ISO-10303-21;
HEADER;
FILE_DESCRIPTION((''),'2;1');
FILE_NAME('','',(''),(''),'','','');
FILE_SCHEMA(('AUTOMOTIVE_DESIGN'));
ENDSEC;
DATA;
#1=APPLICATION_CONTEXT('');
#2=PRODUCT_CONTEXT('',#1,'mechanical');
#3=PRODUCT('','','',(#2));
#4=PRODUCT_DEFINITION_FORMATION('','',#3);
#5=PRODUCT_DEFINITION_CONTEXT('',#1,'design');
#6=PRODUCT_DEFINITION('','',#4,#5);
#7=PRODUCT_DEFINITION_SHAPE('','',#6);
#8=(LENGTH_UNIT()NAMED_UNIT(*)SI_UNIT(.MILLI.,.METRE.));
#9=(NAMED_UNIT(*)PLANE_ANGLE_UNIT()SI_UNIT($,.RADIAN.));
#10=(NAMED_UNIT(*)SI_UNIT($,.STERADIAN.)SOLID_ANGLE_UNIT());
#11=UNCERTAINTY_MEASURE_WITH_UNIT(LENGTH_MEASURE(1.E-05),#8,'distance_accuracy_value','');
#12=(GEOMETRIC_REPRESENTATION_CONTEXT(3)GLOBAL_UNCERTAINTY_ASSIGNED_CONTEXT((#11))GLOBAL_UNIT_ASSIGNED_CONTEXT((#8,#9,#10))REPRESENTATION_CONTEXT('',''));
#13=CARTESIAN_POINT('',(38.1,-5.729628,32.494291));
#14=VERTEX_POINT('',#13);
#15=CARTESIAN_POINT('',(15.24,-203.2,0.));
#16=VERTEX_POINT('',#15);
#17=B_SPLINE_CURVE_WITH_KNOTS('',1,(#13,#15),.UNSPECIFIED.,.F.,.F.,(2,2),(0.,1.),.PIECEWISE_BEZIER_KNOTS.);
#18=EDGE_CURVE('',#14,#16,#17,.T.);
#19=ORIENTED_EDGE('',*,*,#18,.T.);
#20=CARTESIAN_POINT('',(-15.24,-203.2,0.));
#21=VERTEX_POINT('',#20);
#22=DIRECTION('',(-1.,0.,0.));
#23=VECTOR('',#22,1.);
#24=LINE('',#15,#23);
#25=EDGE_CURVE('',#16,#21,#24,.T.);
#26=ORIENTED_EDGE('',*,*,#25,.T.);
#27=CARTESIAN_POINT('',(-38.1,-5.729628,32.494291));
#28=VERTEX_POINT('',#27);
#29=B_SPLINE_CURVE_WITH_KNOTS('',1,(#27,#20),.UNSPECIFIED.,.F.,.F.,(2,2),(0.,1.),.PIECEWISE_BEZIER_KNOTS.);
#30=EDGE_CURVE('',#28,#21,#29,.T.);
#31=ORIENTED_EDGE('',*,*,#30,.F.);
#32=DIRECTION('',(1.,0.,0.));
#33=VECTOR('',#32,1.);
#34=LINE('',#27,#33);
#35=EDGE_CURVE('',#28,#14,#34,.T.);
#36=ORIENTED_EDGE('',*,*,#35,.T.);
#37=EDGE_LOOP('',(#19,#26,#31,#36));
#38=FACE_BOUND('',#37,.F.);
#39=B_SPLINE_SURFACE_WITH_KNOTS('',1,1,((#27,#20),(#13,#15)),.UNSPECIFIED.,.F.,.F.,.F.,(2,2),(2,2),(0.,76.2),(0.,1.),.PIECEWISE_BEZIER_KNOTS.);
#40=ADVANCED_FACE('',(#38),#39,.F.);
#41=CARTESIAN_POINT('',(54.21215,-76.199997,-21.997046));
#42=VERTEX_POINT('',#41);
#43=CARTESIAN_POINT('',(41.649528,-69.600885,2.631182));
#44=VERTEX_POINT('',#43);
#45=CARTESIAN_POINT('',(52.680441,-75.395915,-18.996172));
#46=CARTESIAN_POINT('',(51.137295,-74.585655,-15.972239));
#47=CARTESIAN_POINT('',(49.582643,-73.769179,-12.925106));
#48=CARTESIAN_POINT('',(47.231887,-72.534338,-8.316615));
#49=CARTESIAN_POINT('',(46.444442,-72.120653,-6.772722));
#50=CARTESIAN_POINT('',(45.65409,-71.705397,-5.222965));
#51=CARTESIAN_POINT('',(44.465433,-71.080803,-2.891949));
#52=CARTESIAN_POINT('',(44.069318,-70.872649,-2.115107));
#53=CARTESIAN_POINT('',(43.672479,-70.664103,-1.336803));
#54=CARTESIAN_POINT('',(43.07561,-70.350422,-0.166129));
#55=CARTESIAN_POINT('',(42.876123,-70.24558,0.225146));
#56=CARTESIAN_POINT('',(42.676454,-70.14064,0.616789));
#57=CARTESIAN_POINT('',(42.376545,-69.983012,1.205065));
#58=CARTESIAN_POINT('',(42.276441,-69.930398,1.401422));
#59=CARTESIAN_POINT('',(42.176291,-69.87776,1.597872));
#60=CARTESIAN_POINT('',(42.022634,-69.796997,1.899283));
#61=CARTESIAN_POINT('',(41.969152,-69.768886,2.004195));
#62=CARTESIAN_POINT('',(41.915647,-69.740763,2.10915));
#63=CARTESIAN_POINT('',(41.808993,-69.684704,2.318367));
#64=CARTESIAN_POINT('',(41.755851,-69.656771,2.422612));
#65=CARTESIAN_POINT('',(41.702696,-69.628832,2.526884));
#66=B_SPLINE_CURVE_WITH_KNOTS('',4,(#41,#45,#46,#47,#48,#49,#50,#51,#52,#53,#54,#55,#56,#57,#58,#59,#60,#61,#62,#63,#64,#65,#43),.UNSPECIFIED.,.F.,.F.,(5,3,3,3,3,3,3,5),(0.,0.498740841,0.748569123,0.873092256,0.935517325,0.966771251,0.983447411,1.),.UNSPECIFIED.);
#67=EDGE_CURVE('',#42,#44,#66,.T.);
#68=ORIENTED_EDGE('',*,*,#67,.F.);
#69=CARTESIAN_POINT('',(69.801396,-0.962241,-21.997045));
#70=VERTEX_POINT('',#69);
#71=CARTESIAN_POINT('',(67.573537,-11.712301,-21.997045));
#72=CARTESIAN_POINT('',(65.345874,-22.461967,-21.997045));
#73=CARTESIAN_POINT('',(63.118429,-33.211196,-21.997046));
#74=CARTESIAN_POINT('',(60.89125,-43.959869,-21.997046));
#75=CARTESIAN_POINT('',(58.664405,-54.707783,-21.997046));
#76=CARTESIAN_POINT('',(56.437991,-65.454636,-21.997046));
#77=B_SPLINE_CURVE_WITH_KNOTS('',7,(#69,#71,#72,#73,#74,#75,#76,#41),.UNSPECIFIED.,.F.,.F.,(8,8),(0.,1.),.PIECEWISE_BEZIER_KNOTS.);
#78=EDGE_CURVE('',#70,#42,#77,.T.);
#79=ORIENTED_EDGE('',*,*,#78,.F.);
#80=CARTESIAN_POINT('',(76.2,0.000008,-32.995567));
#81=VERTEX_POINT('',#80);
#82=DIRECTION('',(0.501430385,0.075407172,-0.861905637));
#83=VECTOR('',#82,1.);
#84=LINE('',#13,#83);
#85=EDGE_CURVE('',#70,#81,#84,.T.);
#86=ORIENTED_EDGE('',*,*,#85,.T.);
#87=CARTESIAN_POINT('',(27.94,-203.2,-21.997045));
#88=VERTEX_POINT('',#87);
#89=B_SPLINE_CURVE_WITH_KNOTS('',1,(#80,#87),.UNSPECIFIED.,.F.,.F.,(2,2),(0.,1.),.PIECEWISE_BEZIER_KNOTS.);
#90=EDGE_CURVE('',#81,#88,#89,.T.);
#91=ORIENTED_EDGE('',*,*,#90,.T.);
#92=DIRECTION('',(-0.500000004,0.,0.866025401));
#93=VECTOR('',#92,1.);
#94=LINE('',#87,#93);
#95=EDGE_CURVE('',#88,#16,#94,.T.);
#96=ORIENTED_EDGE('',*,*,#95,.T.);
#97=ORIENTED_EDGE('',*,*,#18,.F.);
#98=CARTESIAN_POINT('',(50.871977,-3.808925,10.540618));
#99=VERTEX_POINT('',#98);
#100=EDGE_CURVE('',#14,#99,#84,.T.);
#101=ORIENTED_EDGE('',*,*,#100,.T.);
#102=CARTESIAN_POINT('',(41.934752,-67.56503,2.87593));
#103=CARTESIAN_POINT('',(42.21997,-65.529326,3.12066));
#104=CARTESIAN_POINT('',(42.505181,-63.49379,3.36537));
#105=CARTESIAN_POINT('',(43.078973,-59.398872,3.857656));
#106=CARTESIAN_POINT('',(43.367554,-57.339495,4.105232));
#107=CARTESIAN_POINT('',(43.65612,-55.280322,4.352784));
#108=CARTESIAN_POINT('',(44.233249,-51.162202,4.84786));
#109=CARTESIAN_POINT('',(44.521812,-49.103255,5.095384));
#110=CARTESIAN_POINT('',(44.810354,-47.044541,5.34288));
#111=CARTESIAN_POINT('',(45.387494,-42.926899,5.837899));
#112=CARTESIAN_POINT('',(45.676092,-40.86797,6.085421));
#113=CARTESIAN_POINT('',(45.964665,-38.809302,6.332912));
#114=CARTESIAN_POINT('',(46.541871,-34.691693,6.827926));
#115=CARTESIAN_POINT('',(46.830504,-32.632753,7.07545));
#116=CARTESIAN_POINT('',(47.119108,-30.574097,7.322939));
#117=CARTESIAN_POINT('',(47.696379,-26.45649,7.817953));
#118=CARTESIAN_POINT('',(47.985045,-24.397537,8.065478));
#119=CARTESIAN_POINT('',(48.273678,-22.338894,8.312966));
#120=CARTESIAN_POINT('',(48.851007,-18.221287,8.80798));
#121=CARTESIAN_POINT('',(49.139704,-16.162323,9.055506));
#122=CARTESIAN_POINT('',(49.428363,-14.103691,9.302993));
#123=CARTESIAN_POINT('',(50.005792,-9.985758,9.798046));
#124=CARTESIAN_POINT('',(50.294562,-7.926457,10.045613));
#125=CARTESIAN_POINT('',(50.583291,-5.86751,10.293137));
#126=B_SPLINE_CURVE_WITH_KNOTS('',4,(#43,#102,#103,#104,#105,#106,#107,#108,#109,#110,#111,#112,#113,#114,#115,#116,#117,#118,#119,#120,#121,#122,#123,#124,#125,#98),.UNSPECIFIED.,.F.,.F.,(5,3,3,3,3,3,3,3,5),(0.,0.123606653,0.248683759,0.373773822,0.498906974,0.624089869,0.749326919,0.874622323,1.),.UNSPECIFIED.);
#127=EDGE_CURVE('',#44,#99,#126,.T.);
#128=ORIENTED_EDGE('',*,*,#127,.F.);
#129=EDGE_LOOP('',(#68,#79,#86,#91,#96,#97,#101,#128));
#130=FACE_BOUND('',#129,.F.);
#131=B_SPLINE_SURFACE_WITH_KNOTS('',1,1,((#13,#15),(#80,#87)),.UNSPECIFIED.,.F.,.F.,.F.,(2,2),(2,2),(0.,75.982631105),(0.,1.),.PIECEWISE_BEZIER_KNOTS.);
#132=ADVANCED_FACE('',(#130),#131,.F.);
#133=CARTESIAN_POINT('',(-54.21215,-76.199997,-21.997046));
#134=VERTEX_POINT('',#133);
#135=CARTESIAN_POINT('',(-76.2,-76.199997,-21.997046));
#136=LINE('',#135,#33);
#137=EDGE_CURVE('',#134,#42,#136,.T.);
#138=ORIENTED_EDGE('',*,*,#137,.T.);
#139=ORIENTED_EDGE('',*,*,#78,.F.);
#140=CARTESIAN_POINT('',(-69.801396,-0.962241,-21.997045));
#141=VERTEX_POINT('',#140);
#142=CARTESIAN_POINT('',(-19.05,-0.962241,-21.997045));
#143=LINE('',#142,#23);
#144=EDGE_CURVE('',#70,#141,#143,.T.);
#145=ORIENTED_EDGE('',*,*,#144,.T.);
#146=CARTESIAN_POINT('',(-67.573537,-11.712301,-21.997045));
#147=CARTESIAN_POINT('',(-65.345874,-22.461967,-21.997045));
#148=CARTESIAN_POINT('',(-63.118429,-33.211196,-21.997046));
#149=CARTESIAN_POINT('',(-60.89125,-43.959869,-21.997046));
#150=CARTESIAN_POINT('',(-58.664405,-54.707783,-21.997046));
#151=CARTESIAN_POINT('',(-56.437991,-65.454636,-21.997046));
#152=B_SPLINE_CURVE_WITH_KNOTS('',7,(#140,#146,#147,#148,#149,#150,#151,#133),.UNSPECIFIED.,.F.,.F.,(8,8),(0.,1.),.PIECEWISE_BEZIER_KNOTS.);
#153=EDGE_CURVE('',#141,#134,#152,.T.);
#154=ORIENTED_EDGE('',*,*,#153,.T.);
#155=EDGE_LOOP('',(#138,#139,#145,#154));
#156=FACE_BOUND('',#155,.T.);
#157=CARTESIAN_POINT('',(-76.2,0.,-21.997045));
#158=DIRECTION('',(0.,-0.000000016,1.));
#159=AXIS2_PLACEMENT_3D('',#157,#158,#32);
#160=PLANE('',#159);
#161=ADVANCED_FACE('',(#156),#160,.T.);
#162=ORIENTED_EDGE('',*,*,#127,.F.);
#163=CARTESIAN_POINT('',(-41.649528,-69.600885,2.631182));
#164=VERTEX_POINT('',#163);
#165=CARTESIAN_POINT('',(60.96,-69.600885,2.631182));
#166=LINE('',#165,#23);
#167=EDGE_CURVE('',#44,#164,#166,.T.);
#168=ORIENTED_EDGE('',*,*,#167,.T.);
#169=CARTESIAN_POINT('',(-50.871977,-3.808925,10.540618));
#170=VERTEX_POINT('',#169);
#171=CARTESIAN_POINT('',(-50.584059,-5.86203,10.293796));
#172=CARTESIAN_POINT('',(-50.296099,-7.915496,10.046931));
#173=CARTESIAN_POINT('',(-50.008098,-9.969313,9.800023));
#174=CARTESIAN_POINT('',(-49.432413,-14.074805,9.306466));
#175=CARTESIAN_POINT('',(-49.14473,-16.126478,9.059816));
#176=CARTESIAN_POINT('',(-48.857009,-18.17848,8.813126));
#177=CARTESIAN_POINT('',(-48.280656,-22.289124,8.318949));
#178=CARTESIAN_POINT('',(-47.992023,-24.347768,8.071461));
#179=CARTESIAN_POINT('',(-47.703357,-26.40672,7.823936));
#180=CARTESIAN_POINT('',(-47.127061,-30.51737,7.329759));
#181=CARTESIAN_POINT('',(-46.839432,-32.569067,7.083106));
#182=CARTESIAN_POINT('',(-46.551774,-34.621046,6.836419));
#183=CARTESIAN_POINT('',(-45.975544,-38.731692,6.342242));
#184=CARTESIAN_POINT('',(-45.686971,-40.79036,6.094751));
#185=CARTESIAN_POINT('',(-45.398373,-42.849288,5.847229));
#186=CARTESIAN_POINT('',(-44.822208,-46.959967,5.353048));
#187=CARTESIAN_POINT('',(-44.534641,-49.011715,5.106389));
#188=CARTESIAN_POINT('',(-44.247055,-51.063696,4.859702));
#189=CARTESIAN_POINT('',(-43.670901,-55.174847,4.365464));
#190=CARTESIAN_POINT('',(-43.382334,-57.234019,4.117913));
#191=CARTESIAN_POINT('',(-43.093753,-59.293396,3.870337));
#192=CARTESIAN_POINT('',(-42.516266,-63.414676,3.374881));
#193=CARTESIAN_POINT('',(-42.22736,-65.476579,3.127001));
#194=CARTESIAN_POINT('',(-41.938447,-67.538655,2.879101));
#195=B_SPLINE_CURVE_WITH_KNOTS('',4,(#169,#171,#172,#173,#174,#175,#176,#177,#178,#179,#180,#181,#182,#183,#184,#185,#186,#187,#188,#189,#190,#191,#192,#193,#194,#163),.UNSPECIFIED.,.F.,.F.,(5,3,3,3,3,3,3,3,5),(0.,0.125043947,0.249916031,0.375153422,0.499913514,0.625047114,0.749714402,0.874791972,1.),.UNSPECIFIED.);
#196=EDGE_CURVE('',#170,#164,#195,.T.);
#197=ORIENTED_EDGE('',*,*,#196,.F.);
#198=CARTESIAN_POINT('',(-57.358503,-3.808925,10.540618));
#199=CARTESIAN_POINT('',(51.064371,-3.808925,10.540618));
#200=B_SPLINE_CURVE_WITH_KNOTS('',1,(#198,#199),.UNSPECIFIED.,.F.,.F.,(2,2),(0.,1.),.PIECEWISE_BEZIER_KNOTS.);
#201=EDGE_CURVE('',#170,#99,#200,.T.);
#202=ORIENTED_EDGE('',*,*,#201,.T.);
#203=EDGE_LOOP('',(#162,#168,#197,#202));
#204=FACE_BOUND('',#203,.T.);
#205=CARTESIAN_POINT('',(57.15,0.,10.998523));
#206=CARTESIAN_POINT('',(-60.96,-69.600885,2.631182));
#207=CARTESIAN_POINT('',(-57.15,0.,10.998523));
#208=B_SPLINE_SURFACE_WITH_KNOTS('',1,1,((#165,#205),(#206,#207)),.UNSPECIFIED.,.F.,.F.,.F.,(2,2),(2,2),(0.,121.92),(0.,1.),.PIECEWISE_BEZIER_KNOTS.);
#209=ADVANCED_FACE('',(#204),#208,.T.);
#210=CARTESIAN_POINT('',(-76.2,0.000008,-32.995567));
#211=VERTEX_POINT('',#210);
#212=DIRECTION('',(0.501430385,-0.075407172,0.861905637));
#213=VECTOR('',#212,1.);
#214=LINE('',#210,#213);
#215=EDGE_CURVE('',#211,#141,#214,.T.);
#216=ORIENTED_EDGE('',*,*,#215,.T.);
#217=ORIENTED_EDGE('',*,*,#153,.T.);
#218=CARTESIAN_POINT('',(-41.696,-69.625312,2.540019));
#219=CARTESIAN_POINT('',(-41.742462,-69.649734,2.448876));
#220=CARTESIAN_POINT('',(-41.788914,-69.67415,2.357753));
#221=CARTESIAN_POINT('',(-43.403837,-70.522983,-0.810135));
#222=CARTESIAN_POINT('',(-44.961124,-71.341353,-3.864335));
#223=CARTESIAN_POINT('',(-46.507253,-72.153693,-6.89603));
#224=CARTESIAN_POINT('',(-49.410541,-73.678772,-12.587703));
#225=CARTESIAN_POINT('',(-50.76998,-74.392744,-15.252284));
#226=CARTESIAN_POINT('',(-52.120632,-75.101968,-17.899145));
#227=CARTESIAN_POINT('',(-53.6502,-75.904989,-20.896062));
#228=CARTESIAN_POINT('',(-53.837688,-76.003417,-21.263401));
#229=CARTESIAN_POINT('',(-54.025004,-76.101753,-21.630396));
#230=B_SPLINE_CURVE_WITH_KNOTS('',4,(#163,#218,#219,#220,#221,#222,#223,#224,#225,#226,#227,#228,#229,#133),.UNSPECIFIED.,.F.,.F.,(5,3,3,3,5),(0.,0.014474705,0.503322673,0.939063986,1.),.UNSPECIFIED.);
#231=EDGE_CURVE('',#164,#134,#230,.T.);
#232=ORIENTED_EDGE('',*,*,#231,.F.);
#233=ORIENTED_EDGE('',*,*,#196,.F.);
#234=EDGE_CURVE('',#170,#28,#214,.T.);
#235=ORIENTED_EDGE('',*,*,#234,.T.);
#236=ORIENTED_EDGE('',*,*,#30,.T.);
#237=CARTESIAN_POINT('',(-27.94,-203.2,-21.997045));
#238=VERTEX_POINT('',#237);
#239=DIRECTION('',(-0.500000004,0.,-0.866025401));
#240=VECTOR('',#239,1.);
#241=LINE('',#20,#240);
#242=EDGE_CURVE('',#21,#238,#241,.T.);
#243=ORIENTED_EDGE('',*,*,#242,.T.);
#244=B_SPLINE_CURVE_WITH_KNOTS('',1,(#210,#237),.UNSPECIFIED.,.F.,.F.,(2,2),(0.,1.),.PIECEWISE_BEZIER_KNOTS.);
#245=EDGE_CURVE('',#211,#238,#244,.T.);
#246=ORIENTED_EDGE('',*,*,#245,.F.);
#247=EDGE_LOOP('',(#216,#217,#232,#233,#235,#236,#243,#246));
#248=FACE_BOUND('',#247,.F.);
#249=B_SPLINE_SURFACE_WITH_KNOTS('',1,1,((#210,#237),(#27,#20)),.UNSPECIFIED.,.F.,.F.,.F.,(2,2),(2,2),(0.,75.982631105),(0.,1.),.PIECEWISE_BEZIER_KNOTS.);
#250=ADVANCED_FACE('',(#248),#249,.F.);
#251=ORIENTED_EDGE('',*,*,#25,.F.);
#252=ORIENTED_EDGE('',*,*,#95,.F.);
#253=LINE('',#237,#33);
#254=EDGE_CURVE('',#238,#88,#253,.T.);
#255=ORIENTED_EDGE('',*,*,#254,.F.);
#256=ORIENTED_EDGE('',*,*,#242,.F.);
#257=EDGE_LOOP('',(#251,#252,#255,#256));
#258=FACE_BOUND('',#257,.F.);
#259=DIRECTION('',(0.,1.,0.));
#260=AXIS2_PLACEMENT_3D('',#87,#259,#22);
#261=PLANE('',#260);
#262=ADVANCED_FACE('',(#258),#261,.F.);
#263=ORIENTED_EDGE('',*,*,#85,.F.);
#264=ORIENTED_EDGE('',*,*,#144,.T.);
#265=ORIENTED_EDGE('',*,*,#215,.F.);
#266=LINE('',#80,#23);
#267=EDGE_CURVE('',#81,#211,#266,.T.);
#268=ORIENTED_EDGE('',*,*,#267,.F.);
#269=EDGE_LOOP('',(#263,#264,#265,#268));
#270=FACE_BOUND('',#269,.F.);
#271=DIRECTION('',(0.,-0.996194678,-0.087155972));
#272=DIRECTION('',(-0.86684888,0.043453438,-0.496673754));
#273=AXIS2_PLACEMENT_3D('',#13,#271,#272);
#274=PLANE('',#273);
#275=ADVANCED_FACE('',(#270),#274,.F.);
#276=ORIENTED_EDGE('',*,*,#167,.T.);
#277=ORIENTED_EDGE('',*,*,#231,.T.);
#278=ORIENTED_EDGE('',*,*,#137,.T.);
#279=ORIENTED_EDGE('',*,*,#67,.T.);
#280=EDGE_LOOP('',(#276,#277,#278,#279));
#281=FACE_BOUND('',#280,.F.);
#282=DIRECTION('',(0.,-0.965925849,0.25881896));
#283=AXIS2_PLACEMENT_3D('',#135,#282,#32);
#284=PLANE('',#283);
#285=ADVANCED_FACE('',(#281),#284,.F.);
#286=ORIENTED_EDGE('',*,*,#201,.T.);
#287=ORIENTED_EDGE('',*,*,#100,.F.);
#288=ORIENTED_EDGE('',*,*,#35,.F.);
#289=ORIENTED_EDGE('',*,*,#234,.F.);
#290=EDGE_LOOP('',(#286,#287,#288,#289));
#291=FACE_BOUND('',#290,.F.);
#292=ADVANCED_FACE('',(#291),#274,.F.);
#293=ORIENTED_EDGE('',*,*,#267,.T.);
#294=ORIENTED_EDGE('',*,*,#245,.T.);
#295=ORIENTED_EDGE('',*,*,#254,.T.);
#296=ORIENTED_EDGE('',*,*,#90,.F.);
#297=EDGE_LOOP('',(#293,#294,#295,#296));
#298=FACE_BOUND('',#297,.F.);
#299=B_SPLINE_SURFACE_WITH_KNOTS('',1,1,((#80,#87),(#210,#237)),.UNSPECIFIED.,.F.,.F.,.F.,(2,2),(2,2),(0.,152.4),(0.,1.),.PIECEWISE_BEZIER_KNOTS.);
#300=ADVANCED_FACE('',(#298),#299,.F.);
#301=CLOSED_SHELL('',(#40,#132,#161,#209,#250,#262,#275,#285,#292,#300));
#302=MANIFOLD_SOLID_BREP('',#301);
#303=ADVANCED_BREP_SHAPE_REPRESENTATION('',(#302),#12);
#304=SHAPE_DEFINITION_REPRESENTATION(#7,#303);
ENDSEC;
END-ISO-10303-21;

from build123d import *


with BuildPart() as f6:
    # F5 (on face) → F6 section 0
    with BuildSketch(Plane(origin=(0, -2.86481, -0.250638), x_dir=(-1, 0, 0), z_dir=(0, 0.996195, 0.087156))):
        Polygon((-38.1, 32.87001), (-76.2, -32.87001), (76.2, -32.87001), (38.1, 32.87001), align=None)
    # F2 (on offset) → F6 section 1
    with BuildSketch(Plane.XZ.offset(203.2)):
        Polygon((-15.24, 0), (-27.94, -21.997045), (27.94, -21.997045), (15.24, 0), align=None)
    loft()

    # F10 (on face) → F11 section 0
    with BuildSketch(Plane(origin=(0, -65.596307, 17.576477), x_dir=(1, 0, 0), z_dir=(0, -0.965926, 0.258819))):
        Polygon((-76.2, -40.969525), (76.2, -40.969525), (60.96, -15.472508), (-60.96, -15.472508), align=None)
    # F3 (on Front) → F11 section 1
    with BuildSketch(Plane.XZ):
        Polygon((76.2, -21.997045), (57.15, 10.998523), (-57.15, 10.998523), (-76.2, -21.997045), align=None)
    loft(mode=Mode.SUBTRACT)


solid = f6.part
